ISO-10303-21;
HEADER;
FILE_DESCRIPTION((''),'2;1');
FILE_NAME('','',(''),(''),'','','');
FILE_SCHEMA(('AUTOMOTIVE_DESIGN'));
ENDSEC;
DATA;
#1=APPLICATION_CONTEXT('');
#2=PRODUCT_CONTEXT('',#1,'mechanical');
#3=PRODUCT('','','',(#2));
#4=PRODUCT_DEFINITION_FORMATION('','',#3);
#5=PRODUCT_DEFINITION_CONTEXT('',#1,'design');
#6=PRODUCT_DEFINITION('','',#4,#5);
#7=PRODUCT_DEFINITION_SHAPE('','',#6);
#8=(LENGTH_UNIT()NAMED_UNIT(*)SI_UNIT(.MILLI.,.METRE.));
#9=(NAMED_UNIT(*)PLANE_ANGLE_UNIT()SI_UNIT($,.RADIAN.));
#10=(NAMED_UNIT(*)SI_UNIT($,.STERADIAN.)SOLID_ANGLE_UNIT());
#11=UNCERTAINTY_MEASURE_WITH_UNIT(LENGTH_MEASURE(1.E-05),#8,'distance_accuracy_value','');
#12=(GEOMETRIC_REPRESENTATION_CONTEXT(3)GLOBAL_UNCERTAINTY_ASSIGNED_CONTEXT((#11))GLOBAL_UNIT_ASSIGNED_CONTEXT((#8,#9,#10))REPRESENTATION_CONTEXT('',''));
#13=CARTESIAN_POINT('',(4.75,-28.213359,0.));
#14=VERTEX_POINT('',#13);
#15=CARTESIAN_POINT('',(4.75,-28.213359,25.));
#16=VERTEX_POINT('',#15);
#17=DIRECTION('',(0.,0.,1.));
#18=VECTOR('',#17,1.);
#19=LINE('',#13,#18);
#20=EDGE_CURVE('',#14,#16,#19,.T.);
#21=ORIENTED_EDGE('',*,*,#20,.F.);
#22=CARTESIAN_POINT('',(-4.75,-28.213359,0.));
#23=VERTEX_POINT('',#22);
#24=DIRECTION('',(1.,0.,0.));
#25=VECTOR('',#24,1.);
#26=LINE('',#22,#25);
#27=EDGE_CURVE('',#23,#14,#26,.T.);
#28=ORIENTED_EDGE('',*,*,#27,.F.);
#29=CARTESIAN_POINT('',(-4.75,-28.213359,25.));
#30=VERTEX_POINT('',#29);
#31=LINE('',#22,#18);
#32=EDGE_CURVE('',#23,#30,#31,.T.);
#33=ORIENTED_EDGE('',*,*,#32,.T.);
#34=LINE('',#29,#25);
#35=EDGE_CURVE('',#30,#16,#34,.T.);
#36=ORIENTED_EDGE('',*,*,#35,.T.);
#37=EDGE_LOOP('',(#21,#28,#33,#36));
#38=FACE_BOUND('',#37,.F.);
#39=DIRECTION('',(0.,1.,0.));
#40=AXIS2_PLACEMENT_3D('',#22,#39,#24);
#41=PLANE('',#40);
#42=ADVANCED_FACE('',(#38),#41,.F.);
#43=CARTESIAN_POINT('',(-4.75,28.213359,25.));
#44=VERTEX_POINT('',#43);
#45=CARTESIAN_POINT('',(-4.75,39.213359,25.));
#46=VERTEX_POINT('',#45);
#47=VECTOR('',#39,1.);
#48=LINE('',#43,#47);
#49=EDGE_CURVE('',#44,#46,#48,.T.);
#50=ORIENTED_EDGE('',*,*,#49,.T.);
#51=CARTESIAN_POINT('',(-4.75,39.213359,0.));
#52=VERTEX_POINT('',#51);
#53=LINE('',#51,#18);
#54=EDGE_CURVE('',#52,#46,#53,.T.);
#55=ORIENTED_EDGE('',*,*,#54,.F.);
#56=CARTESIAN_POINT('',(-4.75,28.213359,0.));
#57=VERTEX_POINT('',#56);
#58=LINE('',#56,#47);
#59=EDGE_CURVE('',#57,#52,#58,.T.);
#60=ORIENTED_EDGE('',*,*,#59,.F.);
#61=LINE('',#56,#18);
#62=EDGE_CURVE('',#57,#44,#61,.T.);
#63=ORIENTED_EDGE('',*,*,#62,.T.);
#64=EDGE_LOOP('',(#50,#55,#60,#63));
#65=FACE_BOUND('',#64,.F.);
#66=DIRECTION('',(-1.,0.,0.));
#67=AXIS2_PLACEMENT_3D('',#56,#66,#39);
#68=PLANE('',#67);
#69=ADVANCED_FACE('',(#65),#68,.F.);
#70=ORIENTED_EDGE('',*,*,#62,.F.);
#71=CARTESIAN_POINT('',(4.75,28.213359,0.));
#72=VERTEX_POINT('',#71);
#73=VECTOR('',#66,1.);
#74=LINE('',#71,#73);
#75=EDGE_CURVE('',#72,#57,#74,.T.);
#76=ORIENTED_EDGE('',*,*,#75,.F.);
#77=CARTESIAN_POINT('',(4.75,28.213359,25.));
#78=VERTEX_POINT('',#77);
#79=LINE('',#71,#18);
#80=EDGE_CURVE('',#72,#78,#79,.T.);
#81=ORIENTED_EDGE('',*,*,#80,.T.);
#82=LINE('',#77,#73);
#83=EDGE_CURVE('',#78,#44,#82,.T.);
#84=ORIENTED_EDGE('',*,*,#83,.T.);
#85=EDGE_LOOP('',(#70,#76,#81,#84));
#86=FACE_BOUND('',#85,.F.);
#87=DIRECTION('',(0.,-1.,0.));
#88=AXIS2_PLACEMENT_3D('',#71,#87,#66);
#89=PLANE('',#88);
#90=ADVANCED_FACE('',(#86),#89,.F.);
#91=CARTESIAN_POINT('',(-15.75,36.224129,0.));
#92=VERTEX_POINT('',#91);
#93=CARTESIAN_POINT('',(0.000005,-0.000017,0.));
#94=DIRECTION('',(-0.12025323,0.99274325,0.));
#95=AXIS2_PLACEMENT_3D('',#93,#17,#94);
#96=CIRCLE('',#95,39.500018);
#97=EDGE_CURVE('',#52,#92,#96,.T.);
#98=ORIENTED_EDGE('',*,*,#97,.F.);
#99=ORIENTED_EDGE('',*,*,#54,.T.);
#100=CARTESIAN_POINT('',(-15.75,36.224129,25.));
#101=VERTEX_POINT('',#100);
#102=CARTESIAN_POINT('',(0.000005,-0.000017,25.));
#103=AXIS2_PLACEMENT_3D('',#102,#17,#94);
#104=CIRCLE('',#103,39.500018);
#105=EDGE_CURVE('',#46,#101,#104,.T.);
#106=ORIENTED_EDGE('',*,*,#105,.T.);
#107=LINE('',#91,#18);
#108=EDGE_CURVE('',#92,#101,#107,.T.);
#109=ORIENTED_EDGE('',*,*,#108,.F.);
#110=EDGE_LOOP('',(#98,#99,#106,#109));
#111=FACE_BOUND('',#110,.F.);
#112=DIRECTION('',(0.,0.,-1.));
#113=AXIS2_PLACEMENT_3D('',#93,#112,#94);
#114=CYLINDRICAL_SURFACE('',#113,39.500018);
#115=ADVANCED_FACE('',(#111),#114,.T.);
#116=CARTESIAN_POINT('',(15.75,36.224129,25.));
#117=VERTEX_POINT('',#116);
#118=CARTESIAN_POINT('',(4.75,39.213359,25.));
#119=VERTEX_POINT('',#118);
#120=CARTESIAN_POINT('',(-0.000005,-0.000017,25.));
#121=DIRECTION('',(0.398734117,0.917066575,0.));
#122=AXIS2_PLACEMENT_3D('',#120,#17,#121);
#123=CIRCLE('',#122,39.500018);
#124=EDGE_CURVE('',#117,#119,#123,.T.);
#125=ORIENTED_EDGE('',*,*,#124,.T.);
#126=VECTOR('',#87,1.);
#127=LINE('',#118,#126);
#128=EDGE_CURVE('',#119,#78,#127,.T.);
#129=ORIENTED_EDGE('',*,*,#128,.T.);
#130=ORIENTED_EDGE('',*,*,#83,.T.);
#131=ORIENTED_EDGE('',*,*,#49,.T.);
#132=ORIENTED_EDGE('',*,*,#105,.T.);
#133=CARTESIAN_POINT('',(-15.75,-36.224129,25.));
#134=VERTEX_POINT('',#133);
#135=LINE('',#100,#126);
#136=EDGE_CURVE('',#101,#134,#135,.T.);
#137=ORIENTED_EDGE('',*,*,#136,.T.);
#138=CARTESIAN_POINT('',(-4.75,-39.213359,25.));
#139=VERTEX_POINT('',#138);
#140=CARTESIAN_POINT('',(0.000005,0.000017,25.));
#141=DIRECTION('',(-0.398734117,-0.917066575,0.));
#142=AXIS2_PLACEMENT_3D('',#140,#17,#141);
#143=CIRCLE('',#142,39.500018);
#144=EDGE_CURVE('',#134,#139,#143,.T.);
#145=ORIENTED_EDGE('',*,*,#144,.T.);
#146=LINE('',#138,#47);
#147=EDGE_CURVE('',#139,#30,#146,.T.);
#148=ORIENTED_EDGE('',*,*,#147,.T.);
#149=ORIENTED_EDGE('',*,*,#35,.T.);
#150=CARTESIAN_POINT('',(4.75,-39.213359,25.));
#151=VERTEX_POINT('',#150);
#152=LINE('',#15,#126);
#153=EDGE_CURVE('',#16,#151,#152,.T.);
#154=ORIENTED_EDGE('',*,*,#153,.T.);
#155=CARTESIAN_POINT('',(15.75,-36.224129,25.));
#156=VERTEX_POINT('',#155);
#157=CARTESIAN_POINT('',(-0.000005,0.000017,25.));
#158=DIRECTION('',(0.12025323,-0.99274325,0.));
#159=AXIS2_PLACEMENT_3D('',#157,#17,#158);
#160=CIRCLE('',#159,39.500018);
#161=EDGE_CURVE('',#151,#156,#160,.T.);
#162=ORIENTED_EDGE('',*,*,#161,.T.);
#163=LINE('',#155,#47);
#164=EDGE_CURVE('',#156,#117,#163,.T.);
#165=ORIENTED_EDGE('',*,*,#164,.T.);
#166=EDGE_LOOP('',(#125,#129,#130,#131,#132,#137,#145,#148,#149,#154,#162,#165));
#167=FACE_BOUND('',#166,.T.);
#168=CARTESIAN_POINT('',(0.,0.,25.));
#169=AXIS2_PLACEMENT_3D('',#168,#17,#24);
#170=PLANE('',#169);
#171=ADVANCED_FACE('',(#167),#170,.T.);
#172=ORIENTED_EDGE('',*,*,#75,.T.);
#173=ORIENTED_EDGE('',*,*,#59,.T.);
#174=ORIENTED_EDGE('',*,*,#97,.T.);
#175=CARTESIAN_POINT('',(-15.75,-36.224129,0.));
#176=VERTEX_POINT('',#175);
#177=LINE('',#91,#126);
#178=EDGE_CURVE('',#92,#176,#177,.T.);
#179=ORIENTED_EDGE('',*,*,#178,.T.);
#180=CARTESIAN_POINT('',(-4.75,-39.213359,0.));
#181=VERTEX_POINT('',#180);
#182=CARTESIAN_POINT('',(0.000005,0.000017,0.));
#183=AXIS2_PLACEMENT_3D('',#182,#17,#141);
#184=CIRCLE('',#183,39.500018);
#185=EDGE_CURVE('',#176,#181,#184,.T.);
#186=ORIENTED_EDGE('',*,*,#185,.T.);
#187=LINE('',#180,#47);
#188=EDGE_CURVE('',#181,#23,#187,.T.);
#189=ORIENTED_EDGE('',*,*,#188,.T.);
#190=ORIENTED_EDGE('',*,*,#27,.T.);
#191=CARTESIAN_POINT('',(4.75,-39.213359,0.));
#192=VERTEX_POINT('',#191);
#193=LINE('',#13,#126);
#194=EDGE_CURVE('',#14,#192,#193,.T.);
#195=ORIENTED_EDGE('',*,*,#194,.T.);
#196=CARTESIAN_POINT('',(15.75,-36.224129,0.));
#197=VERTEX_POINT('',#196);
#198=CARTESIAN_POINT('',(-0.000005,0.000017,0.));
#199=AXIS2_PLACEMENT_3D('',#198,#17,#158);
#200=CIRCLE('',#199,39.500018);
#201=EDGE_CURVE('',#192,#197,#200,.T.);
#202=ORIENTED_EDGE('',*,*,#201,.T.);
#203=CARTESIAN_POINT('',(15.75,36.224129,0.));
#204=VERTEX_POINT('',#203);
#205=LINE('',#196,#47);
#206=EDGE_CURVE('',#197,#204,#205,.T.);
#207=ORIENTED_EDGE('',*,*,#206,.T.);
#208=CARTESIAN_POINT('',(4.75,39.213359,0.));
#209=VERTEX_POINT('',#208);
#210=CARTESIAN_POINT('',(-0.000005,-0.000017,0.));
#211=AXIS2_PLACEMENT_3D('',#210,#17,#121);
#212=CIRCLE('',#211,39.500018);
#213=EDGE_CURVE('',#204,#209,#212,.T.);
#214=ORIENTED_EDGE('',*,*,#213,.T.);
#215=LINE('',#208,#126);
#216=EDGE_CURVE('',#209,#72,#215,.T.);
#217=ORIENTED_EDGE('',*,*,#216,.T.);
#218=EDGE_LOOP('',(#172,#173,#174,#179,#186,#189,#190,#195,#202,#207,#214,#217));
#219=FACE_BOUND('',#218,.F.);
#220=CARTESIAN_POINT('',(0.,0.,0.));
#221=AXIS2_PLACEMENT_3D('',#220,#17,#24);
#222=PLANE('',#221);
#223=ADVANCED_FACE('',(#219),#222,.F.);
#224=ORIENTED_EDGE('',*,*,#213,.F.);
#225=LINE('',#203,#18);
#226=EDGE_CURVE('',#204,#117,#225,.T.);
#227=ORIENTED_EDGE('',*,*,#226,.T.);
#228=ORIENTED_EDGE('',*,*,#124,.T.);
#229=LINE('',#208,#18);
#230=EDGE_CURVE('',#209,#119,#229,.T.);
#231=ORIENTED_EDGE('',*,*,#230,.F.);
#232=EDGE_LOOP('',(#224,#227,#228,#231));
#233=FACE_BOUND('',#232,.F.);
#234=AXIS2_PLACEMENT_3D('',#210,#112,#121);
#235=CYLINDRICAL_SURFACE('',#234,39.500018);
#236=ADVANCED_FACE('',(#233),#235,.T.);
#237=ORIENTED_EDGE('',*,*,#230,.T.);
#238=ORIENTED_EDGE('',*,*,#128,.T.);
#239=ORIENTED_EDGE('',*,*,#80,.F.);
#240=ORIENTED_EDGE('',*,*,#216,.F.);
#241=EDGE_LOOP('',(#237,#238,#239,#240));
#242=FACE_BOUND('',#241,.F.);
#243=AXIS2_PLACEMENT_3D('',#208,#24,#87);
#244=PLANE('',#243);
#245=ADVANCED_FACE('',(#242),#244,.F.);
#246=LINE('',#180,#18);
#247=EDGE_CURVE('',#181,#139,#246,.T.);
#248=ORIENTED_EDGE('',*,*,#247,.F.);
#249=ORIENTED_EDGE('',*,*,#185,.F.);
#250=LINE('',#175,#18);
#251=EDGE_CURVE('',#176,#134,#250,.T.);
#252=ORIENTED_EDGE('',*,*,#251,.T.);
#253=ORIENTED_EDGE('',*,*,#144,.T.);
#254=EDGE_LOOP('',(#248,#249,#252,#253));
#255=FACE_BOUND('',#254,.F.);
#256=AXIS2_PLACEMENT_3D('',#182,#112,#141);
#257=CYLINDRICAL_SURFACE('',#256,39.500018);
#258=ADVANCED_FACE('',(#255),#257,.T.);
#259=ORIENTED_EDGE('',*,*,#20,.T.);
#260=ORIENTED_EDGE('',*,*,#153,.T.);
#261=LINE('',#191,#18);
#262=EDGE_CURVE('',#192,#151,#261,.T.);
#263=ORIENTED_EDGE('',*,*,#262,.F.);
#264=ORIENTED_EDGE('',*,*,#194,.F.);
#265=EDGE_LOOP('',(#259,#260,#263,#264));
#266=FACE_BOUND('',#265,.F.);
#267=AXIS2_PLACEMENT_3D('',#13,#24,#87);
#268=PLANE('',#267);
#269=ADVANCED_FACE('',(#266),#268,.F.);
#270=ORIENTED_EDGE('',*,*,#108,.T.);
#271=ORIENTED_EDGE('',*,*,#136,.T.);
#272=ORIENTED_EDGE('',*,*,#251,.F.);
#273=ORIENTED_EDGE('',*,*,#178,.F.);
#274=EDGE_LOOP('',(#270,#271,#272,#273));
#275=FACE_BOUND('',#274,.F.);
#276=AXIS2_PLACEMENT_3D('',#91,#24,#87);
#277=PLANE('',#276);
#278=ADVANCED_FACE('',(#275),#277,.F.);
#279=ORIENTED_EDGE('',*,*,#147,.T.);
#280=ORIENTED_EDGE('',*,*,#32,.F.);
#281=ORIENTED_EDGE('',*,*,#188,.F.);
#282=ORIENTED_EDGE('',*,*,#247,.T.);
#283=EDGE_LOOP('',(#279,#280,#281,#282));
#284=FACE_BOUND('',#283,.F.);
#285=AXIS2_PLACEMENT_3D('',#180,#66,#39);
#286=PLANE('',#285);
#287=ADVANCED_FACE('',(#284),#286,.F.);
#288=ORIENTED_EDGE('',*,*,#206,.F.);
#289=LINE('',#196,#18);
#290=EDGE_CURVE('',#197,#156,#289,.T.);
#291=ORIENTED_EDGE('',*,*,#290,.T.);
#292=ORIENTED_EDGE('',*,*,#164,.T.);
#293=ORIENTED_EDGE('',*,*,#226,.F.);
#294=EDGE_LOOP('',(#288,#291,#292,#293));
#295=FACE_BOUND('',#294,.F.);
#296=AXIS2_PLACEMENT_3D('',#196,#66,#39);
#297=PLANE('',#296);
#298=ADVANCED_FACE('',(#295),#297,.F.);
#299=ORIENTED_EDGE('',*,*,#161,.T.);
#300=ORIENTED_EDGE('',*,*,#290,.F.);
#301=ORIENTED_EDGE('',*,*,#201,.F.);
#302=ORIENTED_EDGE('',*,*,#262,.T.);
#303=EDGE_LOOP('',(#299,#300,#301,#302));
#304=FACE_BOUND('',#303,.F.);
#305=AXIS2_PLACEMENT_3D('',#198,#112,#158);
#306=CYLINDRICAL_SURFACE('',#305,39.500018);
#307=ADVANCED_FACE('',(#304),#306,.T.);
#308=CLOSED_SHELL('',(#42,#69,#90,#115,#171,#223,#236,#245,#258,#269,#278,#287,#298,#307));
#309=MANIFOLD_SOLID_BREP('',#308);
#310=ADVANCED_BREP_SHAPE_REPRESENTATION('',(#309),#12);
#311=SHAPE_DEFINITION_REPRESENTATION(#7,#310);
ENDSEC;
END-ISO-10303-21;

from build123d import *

# Parameters (mm, degrees)
F1_DEPTH = 25


with BuildPart() as f1:
    # F0 (on Top) → F1 (new body)
    with BuildSketch(Plane.XY):
        with BuildLine():
            ThreePointArc((-4.75, 39.213359), (-10.358396, 38.117629), (-15.75, 36.224129))
            Line((-15.75, 36.224129), (-15.75, -36.224129))
            ThreePointArc((-15.75, -36.224129), (-10.358396, -38.117629), (-4.75, -39.213359))
            Line((-4.75, -39.213359), (-4.75, -28.213359))
            Line((-4.75, -28.213359), (4.75, -28.213359))
            Line((4.75, -28.213359), (4.75, -39.213359))
            ThreePointArc((4.75, -39.213359), (10.358396, -38.117629), (15.75, -36.224129))
            Line((15.75, -36.224129), (15.75, 36.224129))
            ThreePointArc((15.75, 36.224129), (10.358396, 38.117629), (4.75, 39.213359))
            Line((4.75, 39.213359), (4.75, 28.213359))
            Line((4.75, 28.213359), (-4.75, 28.213359))
            Line((-4.75, 28.213359), (-4.75, 39.213359))
        make_face()
    extrude(amount=F1_DEPTH)


solid = f1.part
